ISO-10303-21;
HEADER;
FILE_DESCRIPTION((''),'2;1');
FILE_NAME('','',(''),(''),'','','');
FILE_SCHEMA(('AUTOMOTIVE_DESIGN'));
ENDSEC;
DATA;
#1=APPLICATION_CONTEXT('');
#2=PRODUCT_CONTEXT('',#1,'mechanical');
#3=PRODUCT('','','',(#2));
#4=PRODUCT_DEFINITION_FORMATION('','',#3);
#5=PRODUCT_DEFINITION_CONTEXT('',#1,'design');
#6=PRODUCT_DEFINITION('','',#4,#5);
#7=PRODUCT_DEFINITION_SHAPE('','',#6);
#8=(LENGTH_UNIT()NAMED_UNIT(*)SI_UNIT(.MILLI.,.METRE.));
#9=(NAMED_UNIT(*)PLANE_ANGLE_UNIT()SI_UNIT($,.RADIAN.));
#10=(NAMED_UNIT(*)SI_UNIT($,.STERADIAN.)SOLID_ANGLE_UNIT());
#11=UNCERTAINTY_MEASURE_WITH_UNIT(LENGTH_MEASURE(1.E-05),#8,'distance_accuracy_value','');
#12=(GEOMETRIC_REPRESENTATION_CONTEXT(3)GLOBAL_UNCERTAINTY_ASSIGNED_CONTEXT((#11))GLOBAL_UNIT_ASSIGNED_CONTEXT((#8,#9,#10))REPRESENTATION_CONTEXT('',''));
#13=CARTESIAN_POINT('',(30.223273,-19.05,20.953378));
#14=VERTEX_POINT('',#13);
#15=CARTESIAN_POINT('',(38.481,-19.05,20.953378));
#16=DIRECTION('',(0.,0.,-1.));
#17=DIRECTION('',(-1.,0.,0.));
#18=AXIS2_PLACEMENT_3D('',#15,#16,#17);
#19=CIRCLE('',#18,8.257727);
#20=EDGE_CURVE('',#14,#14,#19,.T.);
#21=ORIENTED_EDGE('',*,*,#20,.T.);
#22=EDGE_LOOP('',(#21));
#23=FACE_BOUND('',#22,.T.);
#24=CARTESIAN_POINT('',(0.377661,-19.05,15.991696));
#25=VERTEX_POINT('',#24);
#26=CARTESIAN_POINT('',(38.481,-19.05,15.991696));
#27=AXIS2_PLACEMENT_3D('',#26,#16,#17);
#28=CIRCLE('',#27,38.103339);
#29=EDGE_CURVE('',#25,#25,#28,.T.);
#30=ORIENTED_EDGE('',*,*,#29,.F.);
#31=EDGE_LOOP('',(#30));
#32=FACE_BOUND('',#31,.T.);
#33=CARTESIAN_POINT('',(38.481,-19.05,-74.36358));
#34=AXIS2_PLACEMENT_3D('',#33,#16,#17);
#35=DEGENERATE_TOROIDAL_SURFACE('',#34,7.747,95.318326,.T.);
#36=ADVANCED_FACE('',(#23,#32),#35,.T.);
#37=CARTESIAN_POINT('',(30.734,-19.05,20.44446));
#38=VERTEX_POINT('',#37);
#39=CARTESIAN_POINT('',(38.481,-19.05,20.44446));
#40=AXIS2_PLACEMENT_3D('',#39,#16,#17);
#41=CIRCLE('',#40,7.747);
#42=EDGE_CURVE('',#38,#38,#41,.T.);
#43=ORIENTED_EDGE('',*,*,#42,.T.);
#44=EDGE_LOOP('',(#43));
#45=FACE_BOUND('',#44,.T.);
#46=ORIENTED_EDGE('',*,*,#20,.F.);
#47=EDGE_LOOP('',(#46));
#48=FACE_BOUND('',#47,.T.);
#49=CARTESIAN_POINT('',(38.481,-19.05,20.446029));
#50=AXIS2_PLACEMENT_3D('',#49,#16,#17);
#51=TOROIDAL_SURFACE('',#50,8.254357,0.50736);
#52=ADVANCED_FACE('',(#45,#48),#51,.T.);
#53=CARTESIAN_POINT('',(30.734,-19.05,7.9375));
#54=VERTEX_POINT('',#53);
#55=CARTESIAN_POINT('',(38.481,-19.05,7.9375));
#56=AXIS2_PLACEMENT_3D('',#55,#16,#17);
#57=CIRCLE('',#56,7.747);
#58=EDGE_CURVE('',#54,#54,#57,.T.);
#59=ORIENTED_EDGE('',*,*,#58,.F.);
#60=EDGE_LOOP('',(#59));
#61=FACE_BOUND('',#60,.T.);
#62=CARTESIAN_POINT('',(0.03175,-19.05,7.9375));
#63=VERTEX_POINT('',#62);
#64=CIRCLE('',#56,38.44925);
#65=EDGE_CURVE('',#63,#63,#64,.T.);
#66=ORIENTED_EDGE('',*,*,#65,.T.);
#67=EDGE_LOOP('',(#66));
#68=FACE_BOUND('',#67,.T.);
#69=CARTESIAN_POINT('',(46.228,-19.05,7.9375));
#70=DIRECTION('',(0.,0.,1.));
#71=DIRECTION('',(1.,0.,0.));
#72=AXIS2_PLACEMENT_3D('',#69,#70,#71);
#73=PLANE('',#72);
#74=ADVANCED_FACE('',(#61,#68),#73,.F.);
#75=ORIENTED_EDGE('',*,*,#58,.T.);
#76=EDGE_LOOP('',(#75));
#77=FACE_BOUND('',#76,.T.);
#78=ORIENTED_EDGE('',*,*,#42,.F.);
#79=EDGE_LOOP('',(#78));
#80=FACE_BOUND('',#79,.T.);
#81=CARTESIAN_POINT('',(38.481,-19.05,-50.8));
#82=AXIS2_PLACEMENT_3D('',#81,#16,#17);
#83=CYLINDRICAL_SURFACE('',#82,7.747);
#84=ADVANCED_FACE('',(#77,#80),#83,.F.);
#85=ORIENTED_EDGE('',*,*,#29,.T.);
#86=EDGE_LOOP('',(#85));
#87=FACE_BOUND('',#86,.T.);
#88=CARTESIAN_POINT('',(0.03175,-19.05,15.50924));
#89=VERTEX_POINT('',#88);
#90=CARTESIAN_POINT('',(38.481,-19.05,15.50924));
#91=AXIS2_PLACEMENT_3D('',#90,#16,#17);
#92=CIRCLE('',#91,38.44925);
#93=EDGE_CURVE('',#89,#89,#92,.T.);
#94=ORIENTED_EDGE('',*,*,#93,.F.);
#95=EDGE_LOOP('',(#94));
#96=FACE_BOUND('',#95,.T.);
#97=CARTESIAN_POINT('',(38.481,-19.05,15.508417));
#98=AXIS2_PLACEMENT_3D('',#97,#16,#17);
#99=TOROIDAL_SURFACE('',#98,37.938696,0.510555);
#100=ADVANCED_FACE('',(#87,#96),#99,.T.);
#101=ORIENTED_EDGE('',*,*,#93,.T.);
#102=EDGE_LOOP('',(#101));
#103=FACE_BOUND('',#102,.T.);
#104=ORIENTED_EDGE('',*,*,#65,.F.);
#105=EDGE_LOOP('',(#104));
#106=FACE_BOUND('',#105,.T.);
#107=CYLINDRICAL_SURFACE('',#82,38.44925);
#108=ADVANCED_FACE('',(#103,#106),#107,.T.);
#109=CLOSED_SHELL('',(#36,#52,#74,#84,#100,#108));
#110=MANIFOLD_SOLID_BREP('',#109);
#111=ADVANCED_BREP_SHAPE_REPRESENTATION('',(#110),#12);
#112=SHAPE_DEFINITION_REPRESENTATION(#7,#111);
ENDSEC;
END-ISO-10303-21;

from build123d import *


with BuildPart() as part:
    # Sk_flange_section → Rev_flange (revolve)
    with BuildSketch(Plane(origin=(0, -19.05, 0), x_dir=(1, 0, 0), z_dir=(0, 1, 0)), mode=Mode.PRIVATE) as rev_flange_sk:
        with BuildLine():
            Line((46.228, -7.9375), (76.93025, -7.9375))
            Line((76.93025, -7.9375), (76.93025, -15.50924))
            ThreePointArc((76.93025, -15.50924), (76.834622271, -15.805910462), (76.584339104, -15.991696258))
            ThreePointArc((76.584339104, -15.991696258), (61.859650948, -19.664260346), (46.738726881, -20.953377723))
            ThreePointArc((46.738726881, -20.953377723), (46.377236954, -20.805422618), (46.228, -20.44446))
            Line((46.228, -20.44446), (46.228, -7.9375))
        make_face()
    revolve(rev_flange_sk.sketch.rotate(Axis((38.481, -19.05, -50.8), (0, 0, 1)), 180), axis=Axis((38.481, -19.05, -50.8), (0, 0, 1)))


solid = part.part
